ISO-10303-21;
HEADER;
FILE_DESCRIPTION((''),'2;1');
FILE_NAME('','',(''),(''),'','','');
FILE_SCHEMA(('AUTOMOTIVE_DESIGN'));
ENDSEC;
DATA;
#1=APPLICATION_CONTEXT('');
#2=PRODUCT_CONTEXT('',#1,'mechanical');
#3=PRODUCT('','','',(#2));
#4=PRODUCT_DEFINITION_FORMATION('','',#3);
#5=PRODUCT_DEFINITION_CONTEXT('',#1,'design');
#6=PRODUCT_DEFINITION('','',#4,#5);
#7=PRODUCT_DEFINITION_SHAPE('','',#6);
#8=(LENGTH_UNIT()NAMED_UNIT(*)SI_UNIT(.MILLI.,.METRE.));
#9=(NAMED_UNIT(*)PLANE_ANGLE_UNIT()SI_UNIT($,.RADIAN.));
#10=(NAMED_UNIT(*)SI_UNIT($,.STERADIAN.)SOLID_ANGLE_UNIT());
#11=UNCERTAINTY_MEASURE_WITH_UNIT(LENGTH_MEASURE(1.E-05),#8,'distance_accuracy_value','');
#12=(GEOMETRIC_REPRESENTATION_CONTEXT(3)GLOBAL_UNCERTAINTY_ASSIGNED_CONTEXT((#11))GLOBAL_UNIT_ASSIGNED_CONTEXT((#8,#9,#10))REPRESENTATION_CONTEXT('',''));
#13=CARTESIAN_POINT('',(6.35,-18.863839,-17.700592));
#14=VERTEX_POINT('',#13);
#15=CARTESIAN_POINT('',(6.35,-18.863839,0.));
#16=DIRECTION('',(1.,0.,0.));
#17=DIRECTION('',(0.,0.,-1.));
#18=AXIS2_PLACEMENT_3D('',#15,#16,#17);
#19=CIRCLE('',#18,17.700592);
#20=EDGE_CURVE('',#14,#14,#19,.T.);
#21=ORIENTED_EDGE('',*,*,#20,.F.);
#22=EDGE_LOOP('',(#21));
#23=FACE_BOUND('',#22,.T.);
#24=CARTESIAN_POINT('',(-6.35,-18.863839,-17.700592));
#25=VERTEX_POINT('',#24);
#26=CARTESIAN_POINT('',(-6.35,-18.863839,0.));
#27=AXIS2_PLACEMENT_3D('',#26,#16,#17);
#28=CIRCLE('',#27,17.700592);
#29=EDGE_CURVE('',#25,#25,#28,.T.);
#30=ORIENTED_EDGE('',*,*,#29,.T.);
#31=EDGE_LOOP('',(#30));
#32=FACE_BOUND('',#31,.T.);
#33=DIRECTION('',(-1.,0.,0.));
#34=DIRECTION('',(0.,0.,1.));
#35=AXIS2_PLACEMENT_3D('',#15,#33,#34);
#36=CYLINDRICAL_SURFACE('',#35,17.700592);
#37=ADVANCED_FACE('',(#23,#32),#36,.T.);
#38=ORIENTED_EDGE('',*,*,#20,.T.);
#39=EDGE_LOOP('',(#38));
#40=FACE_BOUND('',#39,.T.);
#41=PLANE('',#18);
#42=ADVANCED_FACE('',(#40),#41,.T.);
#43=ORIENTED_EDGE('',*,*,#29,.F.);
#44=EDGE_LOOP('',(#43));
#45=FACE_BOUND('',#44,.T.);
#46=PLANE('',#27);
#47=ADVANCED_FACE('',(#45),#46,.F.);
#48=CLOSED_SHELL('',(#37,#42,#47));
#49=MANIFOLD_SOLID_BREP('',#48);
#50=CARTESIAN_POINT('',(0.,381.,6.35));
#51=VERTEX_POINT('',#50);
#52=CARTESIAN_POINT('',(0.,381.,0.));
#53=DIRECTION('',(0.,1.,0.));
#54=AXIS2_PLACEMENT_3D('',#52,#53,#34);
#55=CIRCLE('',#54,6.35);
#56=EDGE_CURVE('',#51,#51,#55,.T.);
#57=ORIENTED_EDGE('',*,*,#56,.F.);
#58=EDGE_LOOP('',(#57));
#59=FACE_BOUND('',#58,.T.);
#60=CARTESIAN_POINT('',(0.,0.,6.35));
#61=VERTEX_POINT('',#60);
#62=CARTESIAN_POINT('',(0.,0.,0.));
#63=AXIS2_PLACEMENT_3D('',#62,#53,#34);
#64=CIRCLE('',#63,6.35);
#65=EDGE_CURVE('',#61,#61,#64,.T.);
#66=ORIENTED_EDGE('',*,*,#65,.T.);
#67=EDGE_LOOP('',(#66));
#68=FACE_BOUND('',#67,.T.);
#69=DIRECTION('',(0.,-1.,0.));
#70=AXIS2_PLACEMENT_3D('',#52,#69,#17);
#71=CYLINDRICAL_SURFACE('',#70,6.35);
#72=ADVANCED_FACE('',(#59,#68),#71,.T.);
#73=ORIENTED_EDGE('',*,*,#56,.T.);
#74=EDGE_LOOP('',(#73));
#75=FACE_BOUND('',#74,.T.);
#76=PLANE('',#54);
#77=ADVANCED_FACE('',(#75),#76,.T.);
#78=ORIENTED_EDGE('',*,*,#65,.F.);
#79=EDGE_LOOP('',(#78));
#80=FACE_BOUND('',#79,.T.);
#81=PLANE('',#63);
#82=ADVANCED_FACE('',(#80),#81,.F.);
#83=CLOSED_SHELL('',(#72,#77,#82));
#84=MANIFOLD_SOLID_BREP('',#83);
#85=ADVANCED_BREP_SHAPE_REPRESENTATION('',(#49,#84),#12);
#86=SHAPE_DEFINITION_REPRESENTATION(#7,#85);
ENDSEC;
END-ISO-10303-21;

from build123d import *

# Parameters (mm, degrees)
SKETCH1_R           = 6.35
BOSS_EXTRUDE1_DEPTH = 381
SKETCH2_R           = 17.700592194
BOSS_EXTRUDE2_DEPTH = 6.35


with BuildPart() as part:
    # Sketch1 → Boss-Extrude1 (new body)
    with BuildSketch(Plane(origin=(0, 0, 0), x_dir=(1, 0, 0), z_dir=(0, 1, 0))):
        Circle(SKETCH1_R)
    extrude(amount=BOSS_EXTRUDE1_DEPTH)


with BuildPart() as body_2:
    # Sketch2 → Boss-Extrude2 (new body, symmetric)
    with BuildSketch(Plane(origin=(0, 0, 0), x_dir=(0, 0, -1), z_dir=(1, 0, 0))):
        with Locations((0, -18.863838614)):
            Circle(SKETCH2_R)
    extrude(amount=BOSS_EXTRUDE2_DEPTH, both=True)


solid = Compound([part.part, body_2.part])
